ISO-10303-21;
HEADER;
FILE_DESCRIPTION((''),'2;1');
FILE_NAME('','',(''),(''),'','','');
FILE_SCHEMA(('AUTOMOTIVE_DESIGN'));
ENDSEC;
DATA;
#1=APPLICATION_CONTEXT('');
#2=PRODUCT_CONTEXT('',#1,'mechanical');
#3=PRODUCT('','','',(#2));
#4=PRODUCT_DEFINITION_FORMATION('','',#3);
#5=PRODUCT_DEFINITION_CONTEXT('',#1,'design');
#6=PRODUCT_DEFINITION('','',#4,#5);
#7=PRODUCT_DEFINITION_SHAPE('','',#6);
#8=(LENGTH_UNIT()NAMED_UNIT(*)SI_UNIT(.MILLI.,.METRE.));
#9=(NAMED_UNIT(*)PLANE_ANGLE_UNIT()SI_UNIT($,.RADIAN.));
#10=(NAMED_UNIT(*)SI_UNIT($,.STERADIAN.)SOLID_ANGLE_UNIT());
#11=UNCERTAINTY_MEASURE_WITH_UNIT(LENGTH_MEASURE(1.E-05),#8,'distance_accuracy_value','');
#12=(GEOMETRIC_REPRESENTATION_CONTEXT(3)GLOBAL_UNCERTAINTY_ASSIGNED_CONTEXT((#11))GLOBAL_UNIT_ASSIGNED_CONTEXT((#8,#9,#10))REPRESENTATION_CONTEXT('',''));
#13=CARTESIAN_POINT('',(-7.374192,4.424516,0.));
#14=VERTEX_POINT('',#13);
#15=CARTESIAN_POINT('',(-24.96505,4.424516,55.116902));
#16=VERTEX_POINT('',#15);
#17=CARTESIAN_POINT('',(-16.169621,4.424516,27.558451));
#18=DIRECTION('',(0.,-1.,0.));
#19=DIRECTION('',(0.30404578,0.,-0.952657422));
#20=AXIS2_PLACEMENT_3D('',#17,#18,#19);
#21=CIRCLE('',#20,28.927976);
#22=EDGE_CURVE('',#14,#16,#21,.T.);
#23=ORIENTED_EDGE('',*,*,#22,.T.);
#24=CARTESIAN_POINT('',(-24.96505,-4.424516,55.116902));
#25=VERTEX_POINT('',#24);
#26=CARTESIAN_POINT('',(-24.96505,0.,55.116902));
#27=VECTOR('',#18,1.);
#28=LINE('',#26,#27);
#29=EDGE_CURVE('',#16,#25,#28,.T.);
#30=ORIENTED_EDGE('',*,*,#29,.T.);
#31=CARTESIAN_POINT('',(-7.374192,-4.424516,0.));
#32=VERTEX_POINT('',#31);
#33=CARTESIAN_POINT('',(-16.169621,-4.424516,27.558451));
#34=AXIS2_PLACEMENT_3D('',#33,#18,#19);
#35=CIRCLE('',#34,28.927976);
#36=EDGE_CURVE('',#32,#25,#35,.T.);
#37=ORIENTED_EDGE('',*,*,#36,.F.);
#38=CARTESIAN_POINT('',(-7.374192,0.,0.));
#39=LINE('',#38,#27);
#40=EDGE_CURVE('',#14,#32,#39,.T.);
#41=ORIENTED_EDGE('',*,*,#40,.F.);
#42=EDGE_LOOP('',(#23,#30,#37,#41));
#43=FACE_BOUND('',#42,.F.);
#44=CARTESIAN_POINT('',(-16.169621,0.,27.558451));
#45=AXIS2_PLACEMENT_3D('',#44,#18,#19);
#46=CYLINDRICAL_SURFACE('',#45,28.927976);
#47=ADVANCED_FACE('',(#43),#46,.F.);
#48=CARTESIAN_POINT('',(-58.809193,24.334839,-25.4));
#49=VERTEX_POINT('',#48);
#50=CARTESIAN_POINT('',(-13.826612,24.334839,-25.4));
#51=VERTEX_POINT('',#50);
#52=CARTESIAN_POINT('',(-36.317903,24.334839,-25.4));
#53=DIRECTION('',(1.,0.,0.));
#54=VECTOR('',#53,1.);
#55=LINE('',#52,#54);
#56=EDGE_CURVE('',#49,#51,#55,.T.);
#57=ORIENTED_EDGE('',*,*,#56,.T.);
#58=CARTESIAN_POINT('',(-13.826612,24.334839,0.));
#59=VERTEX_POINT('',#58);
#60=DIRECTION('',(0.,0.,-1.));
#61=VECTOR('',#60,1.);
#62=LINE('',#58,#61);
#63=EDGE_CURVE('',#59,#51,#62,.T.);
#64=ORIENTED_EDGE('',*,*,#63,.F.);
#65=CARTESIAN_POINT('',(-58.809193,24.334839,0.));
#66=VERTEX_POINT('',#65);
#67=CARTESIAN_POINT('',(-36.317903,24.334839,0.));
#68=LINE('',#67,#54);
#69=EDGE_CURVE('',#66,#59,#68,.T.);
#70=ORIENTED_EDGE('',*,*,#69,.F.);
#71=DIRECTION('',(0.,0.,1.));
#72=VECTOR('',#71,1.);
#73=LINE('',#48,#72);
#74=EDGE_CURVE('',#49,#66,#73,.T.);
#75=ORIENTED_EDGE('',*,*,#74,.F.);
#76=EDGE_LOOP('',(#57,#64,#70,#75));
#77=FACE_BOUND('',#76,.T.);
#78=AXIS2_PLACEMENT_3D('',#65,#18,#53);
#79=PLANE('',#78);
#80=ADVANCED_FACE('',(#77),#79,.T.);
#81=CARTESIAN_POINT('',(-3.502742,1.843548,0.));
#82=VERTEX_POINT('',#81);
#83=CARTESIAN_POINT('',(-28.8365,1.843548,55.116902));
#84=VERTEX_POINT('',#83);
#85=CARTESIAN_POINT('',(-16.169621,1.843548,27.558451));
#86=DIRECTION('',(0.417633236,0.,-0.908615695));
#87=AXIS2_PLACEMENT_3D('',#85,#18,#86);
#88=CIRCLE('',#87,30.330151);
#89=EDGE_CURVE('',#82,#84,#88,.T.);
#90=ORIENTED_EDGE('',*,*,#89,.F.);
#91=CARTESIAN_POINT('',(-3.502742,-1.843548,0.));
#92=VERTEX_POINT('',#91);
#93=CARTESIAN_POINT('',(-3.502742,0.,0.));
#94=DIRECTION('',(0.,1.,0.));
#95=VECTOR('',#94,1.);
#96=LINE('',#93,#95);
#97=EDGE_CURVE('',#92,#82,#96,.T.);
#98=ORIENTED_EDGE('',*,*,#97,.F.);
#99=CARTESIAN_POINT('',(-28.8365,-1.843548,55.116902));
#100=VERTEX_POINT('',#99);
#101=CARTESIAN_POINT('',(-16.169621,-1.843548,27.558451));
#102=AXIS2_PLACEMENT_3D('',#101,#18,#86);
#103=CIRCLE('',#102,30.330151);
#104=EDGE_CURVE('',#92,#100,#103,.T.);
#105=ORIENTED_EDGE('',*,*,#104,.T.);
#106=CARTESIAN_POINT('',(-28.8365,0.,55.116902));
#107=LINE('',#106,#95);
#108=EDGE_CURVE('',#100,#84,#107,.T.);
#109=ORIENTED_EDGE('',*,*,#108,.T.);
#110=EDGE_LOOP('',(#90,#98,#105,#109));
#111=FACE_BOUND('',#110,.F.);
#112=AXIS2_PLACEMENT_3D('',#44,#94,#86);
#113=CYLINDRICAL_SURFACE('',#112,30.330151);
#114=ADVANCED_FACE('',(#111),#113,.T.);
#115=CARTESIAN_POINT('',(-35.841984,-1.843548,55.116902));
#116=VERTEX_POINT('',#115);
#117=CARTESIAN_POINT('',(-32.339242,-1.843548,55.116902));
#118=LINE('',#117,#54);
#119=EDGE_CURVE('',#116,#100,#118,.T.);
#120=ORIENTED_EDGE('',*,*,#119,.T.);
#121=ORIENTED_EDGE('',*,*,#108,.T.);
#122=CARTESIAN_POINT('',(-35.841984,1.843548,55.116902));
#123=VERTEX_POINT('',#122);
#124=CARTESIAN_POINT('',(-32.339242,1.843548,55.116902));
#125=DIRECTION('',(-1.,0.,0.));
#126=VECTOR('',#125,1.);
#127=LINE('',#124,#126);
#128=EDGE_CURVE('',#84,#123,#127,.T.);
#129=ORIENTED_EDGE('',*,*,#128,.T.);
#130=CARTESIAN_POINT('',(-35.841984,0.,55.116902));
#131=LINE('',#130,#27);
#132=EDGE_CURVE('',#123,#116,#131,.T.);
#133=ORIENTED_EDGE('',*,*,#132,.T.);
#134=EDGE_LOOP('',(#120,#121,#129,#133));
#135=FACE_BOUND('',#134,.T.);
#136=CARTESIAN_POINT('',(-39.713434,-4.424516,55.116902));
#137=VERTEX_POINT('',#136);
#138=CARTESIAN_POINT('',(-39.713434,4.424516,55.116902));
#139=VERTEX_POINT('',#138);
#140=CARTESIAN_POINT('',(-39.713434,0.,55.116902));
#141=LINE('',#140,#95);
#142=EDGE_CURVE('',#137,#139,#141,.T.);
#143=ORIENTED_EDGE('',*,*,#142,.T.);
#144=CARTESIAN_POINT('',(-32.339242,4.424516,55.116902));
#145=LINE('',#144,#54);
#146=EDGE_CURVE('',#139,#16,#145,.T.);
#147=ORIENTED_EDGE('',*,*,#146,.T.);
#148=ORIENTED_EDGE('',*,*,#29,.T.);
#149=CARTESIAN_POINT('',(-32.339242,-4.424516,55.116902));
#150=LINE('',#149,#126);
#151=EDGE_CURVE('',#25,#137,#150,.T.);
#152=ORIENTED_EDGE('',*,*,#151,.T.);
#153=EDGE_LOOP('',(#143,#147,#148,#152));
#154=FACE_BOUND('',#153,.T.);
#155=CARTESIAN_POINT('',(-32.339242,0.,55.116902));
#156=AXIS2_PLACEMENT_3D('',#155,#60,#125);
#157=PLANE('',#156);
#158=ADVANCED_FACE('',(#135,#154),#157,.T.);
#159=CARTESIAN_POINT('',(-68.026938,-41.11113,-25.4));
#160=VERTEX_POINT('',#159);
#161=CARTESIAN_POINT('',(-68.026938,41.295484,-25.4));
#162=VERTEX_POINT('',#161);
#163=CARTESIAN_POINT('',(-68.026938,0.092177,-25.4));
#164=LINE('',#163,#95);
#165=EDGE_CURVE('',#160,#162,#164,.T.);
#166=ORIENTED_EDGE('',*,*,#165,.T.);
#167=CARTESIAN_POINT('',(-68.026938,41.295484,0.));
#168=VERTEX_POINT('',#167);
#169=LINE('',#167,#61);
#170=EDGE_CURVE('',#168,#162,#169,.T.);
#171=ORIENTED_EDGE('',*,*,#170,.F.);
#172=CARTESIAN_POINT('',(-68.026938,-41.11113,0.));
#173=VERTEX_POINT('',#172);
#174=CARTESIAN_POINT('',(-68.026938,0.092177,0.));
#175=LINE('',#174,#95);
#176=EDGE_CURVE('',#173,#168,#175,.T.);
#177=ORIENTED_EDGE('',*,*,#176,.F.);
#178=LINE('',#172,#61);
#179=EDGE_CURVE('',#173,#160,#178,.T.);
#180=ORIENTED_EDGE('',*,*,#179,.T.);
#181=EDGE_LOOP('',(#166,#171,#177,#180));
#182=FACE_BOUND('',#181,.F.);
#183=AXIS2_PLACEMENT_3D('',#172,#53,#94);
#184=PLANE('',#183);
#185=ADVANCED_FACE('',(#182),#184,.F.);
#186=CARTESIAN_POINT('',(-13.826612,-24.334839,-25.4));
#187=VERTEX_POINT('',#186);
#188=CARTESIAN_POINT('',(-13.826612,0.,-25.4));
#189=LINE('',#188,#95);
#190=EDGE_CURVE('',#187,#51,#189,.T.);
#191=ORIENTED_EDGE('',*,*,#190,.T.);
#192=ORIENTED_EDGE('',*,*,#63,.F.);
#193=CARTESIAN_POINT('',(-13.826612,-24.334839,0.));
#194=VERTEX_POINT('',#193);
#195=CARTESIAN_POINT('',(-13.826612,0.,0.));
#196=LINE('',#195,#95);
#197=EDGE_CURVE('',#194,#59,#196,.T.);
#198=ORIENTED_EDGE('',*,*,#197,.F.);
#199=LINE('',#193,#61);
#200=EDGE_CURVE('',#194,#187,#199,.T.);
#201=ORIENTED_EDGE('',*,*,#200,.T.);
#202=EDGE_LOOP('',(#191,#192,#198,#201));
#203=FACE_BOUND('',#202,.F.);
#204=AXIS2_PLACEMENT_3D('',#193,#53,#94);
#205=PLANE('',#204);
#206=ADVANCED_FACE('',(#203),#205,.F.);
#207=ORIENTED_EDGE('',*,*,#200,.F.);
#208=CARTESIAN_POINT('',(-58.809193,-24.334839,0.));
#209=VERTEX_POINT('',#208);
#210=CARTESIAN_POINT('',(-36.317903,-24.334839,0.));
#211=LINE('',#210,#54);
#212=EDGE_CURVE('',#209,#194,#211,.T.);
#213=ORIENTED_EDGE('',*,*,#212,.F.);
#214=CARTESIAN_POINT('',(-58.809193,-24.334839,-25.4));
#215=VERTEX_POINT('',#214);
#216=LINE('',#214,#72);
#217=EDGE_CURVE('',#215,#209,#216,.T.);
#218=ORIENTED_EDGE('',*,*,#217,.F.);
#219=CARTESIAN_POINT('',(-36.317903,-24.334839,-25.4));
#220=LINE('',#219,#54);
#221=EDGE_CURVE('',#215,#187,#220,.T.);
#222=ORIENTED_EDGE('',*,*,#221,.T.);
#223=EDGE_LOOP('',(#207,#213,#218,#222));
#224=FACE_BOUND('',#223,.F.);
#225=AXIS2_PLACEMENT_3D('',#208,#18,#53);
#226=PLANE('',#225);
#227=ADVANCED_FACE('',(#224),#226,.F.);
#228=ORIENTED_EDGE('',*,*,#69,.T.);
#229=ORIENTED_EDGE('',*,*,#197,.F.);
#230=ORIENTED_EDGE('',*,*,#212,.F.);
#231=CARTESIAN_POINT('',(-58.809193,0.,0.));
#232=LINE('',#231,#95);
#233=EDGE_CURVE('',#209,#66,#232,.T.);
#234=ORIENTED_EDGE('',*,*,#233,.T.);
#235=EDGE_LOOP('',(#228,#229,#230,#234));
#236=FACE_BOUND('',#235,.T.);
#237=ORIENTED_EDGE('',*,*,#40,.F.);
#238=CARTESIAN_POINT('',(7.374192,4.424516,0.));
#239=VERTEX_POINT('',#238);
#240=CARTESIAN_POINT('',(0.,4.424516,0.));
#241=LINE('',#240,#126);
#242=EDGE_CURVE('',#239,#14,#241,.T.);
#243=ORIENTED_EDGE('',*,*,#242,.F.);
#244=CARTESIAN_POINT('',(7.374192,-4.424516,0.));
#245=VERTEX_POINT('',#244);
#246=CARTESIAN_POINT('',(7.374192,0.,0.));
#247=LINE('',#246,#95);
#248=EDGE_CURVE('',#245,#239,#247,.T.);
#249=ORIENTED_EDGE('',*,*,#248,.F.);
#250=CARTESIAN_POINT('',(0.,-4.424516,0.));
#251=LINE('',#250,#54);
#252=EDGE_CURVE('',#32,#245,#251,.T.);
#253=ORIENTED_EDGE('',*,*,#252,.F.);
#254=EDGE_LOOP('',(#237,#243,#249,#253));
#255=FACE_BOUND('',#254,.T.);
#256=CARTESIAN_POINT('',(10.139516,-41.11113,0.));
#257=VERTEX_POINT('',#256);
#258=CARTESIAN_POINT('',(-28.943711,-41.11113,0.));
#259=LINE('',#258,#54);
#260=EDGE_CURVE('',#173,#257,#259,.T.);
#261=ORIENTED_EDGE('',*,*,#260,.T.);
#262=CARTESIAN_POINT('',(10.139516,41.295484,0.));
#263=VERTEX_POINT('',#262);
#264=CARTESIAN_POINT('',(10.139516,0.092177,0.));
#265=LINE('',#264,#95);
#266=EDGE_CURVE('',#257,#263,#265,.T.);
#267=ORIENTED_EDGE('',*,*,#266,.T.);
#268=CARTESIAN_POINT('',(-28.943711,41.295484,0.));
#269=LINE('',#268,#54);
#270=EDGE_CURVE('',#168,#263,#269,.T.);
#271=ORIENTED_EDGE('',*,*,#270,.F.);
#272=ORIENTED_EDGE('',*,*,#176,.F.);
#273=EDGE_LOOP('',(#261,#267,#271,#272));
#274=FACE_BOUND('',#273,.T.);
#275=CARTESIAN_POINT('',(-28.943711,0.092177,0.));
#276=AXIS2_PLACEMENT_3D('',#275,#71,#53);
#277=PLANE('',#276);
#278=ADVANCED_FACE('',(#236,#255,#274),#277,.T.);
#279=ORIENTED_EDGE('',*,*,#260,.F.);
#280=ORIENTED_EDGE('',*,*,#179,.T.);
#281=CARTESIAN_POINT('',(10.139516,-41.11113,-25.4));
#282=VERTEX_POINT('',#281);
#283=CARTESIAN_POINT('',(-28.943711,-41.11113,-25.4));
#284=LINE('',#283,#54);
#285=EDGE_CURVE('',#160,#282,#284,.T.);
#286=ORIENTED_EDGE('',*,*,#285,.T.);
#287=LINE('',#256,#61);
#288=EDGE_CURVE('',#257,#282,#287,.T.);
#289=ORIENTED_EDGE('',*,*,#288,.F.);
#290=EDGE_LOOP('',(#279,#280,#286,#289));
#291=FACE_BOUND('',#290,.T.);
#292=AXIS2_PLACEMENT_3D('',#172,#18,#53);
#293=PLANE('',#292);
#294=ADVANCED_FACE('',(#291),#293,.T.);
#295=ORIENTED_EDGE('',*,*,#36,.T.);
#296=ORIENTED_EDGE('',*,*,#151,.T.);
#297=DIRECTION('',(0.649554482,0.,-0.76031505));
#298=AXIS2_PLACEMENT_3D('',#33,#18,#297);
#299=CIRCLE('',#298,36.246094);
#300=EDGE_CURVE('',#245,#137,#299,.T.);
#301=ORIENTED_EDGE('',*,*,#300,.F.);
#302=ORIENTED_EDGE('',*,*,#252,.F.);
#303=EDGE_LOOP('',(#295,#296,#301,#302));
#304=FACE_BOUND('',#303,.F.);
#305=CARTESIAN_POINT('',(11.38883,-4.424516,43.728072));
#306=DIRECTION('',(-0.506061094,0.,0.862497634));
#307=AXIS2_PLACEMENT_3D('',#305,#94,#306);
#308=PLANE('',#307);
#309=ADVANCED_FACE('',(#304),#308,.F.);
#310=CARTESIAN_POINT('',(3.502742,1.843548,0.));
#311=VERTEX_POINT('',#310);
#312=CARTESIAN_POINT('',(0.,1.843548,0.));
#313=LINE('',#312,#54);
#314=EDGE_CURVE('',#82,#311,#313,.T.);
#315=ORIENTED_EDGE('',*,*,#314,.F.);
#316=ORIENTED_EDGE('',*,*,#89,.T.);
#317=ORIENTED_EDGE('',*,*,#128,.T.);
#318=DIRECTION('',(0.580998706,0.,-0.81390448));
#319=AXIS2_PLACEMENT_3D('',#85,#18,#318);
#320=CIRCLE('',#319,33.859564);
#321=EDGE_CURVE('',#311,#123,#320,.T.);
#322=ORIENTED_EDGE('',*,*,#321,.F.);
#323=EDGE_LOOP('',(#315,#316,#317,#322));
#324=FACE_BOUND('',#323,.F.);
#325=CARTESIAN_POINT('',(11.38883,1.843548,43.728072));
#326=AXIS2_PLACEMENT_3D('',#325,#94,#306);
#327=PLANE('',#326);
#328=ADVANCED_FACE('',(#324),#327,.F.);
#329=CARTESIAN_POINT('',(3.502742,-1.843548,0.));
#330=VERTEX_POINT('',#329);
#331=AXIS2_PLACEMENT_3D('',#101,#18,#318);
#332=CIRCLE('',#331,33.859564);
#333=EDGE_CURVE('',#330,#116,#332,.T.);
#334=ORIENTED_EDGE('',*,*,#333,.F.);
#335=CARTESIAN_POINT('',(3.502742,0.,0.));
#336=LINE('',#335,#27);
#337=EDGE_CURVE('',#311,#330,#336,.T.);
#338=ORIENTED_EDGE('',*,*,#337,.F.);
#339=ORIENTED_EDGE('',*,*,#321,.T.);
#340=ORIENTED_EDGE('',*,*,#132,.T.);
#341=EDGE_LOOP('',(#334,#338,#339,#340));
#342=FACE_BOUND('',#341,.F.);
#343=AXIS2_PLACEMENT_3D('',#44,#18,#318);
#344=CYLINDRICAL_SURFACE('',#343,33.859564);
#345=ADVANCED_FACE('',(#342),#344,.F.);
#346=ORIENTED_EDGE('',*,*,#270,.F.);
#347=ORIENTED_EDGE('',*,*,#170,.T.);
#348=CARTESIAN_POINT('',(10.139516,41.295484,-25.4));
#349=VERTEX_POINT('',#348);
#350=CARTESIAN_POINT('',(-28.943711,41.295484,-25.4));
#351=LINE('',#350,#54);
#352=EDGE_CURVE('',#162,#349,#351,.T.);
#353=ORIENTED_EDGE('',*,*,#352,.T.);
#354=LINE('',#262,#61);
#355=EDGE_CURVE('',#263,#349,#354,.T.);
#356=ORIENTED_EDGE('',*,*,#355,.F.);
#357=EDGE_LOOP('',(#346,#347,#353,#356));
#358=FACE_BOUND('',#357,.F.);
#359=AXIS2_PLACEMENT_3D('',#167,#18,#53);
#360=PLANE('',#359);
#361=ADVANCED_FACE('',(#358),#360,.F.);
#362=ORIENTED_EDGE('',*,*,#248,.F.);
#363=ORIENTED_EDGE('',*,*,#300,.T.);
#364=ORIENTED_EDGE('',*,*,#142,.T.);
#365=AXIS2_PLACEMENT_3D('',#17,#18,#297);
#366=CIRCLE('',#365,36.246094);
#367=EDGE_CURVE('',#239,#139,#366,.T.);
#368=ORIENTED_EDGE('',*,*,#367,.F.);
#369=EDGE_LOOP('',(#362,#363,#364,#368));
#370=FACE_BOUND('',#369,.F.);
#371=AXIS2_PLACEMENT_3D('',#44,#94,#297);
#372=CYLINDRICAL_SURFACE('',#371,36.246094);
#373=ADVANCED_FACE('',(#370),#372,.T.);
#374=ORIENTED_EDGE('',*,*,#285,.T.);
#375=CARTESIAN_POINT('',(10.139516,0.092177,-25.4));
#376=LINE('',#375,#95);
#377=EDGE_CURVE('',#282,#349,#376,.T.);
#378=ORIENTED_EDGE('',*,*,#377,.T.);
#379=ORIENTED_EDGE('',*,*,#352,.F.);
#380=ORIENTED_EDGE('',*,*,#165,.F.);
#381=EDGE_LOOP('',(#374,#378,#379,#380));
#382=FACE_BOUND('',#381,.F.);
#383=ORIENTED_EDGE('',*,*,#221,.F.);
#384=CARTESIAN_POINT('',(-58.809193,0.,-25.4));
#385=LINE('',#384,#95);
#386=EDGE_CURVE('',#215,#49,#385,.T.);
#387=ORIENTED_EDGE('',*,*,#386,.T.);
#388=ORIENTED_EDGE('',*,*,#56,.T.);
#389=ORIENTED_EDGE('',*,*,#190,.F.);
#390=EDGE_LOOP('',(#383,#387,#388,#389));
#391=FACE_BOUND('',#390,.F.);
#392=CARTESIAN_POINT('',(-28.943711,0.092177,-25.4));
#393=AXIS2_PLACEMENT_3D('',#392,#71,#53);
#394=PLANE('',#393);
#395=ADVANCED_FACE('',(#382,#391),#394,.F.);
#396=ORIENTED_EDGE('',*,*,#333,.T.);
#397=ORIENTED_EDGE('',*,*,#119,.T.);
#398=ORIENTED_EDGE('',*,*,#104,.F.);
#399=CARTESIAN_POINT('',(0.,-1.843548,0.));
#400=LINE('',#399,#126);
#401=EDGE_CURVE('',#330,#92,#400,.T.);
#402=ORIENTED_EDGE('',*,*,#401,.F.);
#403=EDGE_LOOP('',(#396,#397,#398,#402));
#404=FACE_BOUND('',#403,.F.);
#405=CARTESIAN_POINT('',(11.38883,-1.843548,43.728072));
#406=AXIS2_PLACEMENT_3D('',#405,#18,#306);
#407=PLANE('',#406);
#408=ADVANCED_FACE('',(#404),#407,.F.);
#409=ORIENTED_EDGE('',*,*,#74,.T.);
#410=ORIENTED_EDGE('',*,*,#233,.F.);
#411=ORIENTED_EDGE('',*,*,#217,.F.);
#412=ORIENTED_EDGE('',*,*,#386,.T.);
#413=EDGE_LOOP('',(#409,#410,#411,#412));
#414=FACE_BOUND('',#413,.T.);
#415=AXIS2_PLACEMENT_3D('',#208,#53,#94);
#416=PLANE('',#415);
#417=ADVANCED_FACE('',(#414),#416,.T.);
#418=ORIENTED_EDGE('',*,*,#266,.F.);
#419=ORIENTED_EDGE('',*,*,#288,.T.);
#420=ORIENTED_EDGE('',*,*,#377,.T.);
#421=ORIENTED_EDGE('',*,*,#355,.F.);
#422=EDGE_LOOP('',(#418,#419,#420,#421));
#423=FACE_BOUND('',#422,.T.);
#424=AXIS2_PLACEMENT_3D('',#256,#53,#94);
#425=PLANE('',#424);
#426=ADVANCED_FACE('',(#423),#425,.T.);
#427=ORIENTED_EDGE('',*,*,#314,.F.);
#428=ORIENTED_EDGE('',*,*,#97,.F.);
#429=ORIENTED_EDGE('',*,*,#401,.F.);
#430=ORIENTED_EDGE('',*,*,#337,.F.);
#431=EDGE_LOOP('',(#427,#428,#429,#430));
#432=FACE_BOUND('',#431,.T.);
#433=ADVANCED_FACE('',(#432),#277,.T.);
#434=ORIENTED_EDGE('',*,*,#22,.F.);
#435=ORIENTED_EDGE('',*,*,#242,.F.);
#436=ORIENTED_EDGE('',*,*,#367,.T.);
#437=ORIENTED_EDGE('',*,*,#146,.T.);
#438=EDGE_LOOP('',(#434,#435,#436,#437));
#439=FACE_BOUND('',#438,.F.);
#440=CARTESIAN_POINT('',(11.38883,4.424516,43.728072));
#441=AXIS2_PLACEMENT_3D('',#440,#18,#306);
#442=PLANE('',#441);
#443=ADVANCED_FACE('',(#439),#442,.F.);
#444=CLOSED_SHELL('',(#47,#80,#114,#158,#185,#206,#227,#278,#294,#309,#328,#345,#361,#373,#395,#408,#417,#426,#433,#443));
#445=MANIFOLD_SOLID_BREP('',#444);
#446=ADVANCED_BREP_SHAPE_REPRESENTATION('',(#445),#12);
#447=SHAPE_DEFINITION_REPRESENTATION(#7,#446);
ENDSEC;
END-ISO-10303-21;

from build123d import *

# Parameters (mm, degrees)
F0_W     = 14.748384
F0_H     = 8.849032
F0_W_2   = 7.005484
F0_H_2   = 3.687096
F3_W     = 78.166454
F3_H     = 82.406614
F3_W_2   = 44.982581
F3_H_2   = 48.669678
F4_DEPTH = 25.4
F5_DEPTH = 2.54


with BuildPart() as f2:
    # F2: sweep along a path in F1
    with BuildLine(Plane.XZ) as f2_path:
        ThreePointArc((0, 27.558451), (-16.169621, 43.728072), (-32.339242, 27.558451))
    # F0 (on Top) → F2 (sweep)
    with BuildSketch(Plane.XY):
        Rectangle(F0_W, F0_H)
        Rectangle(F0_W_2, F0_H_2, mode=Mode.SUBTRACT)
    sweep(path=f2_path.line)

    # F3 (on Top) → F4 (join)
    with BuildSketch(Plane.XY):
        with Locations((-28.943711, 0.092177)):
            Rectangle(F3_W, F3_H)
        with Locations((-36.317903, 0)):
            Rectangle(F3_W_2, F3_H_2, mode=Mode.SUBTRACT)
    extrude(amount=-F4_DEPTH)

    # F3 (on Top) → F5 (cut)
    with BuildSketch(Plane.XY):
        with Locations((-36.317903, 0)):
            Rectangle(F3_W_2, F3_H_2)
    extrude(amount=-F5_DEPTH, mode=Mode.SUBTRACT)


solid = f2.part
